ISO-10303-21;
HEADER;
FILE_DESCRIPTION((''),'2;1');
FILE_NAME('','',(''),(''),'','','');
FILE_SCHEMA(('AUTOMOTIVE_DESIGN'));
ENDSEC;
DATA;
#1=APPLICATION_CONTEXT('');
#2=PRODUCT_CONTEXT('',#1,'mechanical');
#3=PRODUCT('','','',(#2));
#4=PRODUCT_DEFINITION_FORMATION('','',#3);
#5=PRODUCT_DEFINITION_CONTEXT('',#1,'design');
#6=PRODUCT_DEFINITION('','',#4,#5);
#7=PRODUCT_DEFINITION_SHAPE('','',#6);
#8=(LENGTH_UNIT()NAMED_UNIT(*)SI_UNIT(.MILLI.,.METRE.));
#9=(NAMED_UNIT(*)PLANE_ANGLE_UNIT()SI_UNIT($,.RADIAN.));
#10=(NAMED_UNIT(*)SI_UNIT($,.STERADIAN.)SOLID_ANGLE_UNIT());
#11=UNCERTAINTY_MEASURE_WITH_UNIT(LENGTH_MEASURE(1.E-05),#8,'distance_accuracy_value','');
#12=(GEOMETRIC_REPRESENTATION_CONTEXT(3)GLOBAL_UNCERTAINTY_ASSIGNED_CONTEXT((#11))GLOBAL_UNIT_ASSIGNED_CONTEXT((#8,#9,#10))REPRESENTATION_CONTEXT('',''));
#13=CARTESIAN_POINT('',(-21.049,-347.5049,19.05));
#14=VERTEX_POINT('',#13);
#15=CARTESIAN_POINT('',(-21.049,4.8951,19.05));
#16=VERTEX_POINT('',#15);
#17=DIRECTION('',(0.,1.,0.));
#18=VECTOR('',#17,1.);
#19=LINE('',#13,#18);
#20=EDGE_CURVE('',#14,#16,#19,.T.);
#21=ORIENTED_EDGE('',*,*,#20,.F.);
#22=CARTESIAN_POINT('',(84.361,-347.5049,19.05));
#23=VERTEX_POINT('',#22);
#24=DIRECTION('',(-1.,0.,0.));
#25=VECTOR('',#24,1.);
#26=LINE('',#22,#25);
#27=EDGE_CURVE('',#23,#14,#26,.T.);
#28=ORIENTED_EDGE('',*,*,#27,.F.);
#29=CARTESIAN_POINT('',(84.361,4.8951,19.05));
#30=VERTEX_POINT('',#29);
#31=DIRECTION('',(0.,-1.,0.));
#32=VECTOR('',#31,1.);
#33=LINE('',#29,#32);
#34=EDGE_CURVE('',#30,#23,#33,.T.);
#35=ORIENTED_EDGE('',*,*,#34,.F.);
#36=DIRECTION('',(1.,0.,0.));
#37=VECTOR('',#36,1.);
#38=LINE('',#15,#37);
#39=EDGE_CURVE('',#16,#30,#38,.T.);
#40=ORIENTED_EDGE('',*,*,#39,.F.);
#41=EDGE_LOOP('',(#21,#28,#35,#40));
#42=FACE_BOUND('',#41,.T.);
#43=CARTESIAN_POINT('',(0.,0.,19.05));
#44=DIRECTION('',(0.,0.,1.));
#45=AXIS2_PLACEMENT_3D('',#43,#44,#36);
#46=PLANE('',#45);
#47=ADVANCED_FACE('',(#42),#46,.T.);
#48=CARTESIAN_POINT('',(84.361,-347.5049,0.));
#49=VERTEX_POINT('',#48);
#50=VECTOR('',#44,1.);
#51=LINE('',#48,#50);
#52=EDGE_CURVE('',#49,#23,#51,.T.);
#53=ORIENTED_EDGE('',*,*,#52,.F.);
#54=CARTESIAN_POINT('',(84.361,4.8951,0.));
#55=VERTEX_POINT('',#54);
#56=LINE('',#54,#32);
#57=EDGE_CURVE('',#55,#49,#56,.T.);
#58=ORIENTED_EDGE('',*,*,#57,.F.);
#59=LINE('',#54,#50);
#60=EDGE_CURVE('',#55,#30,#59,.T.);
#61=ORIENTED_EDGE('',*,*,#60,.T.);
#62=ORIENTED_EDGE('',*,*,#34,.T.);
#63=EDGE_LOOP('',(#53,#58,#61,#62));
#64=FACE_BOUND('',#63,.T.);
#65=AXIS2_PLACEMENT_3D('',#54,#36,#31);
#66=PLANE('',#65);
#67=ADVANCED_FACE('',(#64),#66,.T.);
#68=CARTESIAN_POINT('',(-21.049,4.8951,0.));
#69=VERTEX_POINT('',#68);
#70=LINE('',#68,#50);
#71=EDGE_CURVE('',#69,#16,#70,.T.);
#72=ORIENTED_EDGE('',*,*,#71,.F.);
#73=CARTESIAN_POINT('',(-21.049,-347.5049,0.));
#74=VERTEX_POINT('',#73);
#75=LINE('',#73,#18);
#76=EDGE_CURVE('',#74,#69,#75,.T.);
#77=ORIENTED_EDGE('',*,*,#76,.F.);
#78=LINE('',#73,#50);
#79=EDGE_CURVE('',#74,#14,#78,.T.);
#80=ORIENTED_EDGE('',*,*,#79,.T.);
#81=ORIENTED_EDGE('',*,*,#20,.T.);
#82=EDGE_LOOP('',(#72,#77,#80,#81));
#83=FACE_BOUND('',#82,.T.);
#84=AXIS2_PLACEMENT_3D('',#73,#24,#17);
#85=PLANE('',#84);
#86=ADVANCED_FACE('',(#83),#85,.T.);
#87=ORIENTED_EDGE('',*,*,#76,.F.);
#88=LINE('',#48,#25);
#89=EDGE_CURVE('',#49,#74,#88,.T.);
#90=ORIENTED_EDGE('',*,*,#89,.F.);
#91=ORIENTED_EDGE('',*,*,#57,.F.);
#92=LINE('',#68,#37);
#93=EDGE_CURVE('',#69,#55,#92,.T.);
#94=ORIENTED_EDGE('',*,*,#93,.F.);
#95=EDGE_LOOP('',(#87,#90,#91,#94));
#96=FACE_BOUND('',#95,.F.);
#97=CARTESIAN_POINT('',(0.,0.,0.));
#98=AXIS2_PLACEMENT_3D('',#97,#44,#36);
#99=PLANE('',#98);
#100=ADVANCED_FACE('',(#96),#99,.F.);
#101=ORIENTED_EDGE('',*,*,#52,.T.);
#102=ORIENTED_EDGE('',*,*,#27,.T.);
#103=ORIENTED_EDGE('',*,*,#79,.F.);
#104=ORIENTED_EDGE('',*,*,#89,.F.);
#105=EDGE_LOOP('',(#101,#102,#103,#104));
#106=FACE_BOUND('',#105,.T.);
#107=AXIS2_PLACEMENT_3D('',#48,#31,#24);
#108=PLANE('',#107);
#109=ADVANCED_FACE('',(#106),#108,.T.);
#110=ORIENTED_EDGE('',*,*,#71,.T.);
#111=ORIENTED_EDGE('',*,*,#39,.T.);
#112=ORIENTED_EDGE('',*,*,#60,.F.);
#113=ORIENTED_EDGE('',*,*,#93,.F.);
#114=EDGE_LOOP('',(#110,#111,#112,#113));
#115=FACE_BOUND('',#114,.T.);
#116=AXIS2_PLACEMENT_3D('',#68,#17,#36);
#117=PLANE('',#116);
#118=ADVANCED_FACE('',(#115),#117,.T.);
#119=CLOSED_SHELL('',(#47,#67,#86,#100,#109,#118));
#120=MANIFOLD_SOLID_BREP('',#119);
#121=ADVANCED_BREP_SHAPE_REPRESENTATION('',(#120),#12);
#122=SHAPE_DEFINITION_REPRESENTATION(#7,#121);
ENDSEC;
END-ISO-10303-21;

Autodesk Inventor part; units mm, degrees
ref_plane "YZ Plane" through (0, 0, 0) normal (1, 0, 0) x (0, 1, 0)
ref_plane "XZ Plane" through (0, 0, 0) normal (0, 1, 0) x (-1, 0, 0)
ref_plane "XY Plane" through (0, 0, 0) normal (0, 0, 1) x (1, 0, 0)
sketch "Sketch1" plane through (0, 0, 0) normal (0, 0, 1) x (1, 0, 0)
  line L0 (-21.049, 4.8951) -> (84.361, 4.8951)
  line L1 (84.361, 4.8951) -> (84.361, -347.5049)
  line L2 (84.361, -347.5049) -> (-21.049, -347.5049)
  line L3 (-21.049, -347.5049) -> (-21.049, 4.8951)
  point P0 (0, 0)
  dimension "d0" = 105.41
  dimension "d1" = 352.4
extrude "Extrusion1" add sketch "Sketch1" along normal blind 19.05
properties part number "Z plate"
